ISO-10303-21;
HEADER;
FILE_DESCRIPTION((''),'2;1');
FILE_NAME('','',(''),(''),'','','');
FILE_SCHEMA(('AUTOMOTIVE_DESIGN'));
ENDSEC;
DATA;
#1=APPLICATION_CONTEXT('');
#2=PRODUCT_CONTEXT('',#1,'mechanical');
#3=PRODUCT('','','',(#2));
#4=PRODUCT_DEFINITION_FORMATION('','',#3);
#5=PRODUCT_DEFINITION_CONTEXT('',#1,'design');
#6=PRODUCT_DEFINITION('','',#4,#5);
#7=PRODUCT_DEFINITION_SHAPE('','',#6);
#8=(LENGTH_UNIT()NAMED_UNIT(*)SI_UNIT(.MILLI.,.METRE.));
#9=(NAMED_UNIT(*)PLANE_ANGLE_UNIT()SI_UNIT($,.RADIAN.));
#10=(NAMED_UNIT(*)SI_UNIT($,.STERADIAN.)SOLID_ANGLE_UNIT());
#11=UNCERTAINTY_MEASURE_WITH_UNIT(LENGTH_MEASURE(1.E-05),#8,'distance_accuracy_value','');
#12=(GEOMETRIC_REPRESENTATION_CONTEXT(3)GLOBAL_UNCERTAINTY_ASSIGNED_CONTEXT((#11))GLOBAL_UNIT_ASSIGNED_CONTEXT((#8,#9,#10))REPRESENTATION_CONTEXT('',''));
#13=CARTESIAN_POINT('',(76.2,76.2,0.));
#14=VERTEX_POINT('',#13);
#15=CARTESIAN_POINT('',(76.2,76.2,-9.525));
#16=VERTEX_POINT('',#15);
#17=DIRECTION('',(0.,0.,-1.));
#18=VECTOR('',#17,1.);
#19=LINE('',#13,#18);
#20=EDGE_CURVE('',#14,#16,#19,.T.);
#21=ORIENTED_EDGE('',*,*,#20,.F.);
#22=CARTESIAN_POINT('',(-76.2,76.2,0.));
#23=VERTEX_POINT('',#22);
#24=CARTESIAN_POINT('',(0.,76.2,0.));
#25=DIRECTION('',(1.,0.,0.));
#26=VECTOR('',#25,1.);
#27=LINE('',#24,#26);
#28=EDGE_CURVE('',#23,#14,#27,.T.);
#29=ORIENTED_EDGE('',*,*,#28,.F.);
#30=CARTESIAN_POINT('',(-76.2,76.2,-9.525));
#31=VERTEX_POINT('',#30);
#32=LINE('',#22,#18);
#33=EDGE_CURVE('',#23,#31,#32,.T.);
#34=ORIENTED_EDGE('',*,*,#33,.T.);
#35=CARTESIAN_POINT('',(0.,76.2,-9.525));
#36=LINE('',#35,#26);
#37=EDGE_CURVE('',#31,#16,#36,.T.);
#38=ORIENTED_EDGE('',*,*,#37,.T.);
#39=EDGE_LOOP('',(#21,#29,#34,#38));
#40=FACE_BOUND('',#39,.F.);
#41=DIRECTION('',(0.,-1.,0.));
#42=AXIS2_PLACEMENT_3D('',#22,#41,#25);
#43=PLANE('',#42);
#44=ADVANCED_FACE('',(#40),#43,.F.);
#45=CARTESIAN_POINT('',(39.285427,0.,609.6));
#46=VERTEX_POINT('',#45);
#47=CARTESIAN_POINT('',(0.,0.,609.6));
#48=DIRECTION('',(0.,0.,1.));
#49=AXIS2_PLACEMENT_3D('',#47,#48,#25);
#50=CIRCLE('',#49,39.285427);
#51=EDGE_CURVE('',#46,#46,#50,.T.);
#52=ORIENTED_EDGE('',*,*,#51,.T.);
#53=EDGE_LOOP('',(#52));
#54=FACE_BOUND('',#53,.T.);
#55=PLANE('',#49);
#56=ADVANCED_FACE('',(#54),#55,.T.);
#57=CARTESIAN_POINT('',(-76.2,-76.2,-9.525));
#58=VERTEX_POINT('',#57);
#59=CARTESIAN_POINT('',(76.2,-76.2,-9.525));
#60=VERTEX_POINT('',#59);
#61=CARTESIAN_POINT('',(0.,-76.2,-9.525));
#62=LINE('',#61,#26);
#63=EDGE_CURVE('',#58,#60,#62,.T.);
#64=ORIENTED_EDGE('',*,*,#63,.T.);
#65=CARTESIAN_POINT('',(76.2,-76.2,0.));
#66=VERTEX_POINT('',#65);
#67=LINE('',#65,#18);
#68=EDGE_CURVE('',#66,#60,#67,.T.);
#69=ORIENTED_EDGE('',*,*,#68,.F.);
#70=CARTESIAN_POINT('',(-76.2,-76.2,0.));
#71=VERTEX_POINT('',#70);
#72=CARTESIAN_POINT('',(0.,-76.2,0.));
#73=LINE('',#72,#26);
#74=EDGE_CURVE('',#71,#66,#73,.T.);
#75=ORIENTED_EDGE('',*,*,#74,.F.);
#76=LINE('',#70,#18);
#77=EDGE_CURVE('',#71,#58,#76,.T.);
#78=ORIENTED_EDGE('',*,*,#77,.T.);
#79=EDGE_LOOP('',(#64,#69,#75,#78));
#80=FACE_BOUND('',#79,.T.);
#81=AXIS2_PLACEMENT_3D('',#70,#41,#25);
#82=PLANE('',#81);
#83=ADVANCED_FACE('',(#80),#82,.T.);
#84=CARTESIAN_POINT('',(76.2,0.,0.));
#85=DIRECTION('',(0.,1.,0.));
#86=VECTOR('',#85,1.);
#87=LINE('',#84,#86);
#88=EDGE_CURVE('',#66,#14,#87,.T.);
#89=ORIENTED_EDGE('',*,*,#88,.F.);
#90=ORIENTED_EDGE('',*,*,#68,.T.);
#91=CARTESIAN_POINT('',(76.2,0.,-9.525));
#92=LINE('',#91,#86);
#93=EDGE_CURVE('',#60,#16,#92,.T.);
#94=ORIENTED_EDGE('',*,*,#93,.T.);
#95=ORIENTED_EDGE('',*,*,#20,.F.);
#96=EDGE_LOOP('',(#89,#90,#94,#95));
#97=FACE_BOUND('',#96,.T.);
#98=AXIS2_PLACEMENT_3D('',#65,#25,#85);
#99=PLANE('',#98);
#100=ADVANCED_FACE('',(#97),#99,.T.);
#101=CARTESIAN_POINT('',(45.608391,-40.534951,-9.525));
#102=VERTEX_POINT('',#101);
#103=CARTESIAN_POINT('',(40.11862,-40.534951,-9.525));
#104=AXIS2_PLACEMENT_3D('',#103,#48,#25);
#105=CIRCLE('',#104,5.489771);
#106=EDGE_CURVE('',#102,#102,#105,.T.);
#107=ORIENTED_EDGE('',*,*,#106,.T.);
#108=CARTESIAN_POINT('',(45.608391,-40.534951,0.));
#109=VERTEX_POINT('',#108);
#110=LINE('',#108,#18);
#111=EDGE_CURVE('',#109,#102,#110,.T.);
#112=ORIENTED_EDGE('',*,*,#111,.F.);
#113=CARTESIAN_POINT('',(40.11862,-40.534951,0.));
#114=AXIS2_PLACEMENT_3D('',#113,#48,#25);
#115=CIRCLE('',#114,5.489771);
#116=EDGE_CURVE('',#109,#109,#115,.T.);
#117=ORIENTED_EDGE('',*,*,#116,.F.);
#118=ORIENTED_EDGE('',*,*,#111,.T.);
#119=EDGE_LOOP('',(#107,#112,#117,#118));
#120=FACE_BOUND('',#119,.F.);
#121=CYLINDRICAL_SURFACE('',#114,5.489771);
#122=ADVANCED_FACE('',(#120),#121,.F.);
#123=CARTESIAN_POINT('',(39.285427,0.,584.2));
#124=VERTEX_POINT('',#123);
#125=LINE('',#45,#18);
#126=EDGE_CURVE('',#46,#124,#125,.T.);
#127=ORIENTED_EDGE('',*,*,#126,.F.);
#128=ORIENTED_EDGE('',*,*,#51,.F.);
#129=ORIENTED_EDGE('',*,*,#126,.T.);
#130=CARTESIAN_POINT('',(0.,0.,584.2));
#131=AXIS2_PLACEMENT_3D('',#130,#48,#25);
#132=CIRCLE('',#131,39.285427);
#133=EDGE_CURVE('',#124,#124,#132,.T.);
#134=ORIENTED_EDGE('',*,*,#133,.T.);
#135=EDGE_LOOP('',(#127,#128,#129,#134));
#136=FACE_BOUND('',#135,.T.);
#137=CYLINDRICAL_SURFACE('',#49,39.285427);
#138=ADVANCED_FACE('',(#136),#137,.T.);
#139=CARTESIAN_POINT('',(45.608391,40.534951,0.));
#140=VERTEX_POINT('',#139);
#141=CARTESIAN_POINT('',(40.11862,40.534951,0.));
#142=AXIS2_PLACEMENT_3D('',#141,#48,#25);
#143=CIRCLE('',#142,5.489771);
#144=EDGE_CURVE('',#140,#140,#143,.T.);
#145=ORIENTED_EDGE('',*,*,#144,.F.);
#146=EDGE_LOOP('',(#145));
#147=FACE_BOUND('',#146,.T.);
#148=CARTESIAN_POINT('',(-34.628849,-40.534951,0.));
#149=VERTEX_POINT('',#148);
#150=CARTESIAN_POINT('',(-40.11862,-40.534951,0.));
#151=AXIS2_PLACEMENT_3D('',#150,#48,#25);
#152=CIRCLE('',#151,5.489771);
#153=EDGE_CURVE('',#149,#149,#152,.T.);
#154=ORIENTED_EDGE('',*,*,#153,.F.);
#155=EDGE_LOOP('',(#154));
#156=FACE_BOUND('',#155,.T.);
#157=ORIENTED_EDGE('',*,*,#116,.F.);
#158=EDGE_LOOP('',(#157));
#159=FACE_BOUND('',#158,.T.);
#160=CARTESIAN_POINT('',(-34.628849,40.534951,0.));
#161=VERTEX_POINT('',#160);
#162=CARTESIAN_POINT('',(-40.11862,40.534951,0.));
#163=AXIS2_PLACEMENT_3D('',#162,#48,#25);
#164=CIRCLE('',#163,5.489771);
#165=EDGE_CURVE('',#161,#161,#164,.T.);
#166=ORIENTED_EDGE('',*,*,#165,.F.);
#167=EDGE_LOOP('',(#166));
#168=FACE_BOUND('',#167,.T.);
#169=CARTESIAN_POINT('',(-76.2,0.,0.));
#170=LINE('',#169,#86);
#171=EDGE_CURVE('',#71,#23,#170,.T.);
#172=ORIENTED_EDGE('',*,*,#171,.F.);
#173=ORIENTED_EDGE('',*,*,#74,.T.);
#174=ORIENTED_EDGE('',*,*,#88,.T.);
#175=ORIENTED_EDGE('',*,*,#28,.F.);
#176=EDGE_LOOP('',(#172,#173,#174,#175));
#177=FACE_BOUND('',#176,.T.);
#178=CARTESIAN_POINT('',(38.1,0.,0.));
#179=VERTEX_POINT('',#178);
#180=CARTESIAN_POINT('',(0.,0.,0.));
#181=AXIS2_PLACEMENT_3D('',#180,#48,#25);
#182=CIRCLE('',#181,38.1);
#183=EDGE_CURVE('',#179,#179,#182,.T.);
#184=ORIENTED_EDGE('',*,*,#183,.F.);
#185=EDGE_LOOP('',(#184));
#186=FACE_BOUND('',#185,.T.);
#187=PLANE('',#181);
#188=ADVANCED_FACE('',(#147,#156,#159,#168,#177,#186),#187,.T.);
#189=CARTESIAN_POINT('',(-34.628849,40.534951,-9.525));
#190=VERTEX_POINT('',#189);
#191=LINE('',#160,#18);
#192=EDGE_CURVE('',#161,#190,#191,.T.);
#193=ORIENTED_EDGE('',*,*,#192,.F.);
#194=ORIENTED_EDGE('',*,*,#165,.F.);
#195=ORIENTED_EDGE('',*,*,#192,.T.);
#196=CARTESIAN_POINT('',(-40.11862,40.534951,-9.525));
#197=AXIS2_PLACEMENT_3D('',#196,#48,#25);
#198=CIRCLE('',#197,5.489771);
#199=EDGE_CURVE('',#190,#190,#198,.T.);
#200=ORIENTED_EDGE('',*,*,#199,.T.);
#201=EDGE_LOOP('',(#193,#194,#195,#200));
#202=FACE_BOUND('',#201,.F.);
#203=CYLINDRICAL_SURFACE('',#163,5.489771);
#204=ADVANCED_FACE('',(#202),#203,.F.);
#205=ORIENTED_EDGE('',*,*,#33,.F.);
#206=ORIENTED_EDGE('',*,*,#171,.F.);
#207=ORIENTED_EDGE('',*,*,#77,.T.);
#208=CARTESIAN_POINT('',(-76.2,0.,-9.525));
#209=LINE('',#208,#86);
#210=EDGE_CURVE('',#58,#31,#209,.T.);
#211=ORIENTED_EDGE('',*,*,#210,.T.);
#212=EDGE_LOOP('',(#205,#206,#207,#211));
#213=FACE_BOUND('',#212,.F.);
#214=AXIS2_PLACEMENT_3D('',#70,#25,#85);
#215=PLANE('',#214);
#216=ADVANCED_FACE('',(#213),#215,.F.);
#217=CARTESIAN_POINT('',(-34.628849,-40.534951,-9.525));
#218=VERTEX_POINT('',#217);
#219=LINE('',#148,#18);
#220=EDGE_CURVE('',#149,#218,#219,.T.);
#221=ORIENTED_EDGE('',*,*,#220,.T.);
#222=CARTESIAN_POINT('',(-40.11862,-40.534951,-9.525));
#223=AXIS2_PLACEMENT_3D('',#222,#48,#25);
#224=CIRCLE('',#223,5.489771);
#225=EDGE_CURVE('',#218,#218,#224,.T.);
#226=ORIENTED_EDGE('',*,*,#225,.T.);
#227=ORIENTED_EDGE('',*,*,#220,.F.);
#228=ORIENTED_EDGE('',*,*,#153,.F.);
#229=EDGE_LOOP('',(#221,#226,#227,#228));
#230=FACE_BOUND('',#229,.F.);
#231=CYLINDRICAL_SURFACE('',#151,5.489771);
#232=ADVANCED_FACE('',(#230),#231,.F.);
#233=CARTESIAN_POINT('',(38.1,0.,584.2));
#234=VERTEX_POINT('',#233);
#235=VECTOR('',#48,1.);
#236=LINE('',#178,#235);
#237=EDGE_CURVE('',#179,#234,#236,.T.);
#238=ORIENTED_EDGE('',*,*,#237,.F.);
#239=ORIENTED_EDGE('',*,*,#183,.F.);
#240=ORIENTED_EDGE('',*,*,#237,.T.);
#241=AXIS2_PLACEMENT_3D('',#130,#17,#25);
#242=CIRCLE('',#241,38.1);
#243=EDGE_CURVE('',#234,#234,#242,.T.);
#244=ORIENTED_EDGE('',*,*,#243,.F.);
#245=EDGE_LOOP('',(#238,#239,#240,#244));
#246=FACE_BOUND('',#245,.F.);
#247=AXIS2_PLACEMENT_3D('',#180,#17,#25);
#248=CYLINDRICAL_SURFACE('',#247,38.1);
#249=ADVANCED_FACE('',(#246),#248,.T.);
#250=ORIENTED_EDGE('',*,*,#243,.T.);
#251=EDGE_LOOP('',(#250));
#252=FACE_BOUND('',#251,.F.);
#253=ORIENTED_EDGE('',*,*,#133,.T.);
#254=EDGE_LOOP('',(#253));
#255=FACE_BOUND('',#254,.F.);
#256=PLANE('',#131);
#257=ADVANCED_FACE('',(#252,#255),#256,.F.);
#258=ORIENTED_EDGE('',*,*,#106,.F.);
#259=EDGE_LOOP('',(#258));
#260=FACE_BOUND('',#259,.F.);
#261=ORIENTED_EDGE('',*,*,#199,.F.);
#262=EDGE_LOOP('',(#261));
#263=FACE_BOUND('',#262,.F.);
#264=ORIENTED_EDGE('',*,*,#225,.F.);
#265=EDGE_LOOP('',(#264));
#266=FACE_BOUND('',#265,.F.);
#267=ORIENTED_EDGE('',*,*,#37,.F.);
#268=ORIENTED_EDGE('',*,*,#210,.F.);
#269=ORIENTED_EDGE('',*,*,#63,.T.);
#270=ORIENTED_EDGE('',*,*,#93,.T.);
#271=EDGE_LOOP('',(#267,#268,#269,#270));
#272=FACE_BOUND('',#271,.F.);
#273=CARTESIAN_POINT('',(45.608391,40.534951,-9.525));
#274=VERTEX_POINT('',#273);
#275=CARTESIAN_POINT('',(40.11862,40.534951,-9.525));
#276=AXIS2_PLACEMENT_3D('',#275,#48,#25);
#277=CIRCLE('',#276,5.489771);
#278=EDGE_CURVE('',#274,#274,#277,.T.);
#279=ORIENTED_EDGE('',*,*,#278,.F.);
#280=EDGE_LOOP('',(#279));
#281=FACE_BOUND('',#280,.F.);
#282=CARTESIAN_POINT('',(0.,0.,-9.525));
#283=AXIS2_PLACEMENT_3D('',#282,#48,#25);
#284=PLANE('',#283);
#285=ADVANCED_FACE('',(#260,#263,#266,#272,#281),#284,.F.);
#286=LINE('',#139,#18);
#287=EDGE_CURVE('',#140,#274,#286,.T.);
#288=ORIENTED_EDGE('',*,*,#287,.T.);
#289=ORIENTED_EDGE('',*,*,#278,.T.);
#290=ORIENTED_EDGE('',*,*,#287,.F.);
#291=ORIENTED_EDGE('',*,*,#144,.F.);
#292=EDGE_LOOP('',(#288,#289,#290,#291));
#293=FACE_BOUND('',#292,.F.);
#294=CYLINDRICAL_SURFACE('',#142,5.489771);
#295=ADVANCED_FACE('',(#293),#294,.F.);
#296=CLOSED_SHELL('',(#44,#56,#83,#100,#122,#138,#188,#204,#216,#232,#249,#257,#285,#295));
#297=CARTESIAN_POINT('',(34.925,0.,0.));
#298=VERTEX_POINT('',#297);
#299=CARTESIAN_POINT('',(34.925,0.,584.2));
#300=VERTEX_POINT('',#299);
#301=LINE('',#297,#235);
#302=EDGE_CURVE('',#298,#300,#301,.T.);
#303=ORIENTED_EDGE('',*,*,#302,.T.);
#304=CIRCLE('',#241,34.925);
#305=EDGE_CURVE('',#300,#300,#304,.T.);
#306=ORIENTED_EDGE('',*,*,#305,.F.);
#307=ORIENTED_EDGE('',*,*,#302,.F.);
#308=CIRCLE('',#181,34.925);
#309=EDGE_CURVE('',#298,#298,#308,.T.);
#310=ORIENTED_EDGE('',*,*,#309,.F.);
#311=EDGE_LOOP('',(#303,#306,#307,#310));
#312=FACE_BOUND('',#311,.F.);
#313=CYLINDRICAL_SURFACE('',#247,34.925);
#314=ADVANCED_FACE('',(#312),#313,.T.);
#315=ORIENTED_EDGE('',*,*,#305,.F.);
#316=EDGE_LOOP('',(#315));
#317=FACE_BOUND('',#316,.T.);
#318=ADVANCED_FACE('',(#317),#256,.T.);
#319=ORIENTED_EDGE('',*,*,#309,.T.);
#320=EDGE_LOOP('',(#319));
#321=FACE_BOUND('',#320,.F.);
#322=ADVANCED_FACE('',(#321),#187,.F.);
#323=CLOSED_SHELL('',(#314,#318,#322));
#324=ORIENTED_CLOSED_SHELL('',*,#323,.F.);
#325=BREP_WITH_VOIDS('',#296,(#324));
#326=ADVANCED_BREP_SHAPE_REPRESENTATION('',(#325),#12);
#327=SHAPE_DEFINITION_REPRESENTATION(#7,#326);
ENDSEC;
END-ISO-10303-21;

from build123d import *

# Parameters (mm, degrees)
F0_R     = 38.1
F0_R_2   = 34.925
F1_DEPTH = 609.6
F2_W     = 152.4
F2_H     = 152.4
F2_R     = 5.489771
F3_DEPTH = 9.525
F4_R     = 39.285427
F5_DEPTH = 25.4


with BuildPart() as f1:
    # F0 (on Top) → F1 (new body)
    with BuildSketch(Plane.XY):
        Circle(F0_R)
        Circle(F0_R_2, mode=Mode.SUBTRACT)
    extrude(amount=F1_DEPTH)

    # F2 (on Top) → F3 (join)
    with BuildSketch(Plane.XY):
        Rectangle(F2_W, F2_H)
        with Locations((-40.11862, -40.534951)):
            Circle(F2_R, mode=Mode.SUBTRACT)
        with Locations((40.11862, -40.534951)):
            Circle(F2_R, mode=Mode.SUBTRACT)
        with Locations((-40.11862, 40.534951)):
            Circle(F2_R, mode=Mode.SUBTRACT)
        with Locations((40.11862, 40.534951)):
            Circle(F2_R, mode=Mode.SUBTRACT)
    extrude(amount=-F3_DEPTH)

    # F4 (on face) → F5 (join)
    with BuildSketch(Plane.XY.offset(609.6)):
        Circle(F4_R)
    extrude(amount=-F5_DEPTH)


solid = f1.part
